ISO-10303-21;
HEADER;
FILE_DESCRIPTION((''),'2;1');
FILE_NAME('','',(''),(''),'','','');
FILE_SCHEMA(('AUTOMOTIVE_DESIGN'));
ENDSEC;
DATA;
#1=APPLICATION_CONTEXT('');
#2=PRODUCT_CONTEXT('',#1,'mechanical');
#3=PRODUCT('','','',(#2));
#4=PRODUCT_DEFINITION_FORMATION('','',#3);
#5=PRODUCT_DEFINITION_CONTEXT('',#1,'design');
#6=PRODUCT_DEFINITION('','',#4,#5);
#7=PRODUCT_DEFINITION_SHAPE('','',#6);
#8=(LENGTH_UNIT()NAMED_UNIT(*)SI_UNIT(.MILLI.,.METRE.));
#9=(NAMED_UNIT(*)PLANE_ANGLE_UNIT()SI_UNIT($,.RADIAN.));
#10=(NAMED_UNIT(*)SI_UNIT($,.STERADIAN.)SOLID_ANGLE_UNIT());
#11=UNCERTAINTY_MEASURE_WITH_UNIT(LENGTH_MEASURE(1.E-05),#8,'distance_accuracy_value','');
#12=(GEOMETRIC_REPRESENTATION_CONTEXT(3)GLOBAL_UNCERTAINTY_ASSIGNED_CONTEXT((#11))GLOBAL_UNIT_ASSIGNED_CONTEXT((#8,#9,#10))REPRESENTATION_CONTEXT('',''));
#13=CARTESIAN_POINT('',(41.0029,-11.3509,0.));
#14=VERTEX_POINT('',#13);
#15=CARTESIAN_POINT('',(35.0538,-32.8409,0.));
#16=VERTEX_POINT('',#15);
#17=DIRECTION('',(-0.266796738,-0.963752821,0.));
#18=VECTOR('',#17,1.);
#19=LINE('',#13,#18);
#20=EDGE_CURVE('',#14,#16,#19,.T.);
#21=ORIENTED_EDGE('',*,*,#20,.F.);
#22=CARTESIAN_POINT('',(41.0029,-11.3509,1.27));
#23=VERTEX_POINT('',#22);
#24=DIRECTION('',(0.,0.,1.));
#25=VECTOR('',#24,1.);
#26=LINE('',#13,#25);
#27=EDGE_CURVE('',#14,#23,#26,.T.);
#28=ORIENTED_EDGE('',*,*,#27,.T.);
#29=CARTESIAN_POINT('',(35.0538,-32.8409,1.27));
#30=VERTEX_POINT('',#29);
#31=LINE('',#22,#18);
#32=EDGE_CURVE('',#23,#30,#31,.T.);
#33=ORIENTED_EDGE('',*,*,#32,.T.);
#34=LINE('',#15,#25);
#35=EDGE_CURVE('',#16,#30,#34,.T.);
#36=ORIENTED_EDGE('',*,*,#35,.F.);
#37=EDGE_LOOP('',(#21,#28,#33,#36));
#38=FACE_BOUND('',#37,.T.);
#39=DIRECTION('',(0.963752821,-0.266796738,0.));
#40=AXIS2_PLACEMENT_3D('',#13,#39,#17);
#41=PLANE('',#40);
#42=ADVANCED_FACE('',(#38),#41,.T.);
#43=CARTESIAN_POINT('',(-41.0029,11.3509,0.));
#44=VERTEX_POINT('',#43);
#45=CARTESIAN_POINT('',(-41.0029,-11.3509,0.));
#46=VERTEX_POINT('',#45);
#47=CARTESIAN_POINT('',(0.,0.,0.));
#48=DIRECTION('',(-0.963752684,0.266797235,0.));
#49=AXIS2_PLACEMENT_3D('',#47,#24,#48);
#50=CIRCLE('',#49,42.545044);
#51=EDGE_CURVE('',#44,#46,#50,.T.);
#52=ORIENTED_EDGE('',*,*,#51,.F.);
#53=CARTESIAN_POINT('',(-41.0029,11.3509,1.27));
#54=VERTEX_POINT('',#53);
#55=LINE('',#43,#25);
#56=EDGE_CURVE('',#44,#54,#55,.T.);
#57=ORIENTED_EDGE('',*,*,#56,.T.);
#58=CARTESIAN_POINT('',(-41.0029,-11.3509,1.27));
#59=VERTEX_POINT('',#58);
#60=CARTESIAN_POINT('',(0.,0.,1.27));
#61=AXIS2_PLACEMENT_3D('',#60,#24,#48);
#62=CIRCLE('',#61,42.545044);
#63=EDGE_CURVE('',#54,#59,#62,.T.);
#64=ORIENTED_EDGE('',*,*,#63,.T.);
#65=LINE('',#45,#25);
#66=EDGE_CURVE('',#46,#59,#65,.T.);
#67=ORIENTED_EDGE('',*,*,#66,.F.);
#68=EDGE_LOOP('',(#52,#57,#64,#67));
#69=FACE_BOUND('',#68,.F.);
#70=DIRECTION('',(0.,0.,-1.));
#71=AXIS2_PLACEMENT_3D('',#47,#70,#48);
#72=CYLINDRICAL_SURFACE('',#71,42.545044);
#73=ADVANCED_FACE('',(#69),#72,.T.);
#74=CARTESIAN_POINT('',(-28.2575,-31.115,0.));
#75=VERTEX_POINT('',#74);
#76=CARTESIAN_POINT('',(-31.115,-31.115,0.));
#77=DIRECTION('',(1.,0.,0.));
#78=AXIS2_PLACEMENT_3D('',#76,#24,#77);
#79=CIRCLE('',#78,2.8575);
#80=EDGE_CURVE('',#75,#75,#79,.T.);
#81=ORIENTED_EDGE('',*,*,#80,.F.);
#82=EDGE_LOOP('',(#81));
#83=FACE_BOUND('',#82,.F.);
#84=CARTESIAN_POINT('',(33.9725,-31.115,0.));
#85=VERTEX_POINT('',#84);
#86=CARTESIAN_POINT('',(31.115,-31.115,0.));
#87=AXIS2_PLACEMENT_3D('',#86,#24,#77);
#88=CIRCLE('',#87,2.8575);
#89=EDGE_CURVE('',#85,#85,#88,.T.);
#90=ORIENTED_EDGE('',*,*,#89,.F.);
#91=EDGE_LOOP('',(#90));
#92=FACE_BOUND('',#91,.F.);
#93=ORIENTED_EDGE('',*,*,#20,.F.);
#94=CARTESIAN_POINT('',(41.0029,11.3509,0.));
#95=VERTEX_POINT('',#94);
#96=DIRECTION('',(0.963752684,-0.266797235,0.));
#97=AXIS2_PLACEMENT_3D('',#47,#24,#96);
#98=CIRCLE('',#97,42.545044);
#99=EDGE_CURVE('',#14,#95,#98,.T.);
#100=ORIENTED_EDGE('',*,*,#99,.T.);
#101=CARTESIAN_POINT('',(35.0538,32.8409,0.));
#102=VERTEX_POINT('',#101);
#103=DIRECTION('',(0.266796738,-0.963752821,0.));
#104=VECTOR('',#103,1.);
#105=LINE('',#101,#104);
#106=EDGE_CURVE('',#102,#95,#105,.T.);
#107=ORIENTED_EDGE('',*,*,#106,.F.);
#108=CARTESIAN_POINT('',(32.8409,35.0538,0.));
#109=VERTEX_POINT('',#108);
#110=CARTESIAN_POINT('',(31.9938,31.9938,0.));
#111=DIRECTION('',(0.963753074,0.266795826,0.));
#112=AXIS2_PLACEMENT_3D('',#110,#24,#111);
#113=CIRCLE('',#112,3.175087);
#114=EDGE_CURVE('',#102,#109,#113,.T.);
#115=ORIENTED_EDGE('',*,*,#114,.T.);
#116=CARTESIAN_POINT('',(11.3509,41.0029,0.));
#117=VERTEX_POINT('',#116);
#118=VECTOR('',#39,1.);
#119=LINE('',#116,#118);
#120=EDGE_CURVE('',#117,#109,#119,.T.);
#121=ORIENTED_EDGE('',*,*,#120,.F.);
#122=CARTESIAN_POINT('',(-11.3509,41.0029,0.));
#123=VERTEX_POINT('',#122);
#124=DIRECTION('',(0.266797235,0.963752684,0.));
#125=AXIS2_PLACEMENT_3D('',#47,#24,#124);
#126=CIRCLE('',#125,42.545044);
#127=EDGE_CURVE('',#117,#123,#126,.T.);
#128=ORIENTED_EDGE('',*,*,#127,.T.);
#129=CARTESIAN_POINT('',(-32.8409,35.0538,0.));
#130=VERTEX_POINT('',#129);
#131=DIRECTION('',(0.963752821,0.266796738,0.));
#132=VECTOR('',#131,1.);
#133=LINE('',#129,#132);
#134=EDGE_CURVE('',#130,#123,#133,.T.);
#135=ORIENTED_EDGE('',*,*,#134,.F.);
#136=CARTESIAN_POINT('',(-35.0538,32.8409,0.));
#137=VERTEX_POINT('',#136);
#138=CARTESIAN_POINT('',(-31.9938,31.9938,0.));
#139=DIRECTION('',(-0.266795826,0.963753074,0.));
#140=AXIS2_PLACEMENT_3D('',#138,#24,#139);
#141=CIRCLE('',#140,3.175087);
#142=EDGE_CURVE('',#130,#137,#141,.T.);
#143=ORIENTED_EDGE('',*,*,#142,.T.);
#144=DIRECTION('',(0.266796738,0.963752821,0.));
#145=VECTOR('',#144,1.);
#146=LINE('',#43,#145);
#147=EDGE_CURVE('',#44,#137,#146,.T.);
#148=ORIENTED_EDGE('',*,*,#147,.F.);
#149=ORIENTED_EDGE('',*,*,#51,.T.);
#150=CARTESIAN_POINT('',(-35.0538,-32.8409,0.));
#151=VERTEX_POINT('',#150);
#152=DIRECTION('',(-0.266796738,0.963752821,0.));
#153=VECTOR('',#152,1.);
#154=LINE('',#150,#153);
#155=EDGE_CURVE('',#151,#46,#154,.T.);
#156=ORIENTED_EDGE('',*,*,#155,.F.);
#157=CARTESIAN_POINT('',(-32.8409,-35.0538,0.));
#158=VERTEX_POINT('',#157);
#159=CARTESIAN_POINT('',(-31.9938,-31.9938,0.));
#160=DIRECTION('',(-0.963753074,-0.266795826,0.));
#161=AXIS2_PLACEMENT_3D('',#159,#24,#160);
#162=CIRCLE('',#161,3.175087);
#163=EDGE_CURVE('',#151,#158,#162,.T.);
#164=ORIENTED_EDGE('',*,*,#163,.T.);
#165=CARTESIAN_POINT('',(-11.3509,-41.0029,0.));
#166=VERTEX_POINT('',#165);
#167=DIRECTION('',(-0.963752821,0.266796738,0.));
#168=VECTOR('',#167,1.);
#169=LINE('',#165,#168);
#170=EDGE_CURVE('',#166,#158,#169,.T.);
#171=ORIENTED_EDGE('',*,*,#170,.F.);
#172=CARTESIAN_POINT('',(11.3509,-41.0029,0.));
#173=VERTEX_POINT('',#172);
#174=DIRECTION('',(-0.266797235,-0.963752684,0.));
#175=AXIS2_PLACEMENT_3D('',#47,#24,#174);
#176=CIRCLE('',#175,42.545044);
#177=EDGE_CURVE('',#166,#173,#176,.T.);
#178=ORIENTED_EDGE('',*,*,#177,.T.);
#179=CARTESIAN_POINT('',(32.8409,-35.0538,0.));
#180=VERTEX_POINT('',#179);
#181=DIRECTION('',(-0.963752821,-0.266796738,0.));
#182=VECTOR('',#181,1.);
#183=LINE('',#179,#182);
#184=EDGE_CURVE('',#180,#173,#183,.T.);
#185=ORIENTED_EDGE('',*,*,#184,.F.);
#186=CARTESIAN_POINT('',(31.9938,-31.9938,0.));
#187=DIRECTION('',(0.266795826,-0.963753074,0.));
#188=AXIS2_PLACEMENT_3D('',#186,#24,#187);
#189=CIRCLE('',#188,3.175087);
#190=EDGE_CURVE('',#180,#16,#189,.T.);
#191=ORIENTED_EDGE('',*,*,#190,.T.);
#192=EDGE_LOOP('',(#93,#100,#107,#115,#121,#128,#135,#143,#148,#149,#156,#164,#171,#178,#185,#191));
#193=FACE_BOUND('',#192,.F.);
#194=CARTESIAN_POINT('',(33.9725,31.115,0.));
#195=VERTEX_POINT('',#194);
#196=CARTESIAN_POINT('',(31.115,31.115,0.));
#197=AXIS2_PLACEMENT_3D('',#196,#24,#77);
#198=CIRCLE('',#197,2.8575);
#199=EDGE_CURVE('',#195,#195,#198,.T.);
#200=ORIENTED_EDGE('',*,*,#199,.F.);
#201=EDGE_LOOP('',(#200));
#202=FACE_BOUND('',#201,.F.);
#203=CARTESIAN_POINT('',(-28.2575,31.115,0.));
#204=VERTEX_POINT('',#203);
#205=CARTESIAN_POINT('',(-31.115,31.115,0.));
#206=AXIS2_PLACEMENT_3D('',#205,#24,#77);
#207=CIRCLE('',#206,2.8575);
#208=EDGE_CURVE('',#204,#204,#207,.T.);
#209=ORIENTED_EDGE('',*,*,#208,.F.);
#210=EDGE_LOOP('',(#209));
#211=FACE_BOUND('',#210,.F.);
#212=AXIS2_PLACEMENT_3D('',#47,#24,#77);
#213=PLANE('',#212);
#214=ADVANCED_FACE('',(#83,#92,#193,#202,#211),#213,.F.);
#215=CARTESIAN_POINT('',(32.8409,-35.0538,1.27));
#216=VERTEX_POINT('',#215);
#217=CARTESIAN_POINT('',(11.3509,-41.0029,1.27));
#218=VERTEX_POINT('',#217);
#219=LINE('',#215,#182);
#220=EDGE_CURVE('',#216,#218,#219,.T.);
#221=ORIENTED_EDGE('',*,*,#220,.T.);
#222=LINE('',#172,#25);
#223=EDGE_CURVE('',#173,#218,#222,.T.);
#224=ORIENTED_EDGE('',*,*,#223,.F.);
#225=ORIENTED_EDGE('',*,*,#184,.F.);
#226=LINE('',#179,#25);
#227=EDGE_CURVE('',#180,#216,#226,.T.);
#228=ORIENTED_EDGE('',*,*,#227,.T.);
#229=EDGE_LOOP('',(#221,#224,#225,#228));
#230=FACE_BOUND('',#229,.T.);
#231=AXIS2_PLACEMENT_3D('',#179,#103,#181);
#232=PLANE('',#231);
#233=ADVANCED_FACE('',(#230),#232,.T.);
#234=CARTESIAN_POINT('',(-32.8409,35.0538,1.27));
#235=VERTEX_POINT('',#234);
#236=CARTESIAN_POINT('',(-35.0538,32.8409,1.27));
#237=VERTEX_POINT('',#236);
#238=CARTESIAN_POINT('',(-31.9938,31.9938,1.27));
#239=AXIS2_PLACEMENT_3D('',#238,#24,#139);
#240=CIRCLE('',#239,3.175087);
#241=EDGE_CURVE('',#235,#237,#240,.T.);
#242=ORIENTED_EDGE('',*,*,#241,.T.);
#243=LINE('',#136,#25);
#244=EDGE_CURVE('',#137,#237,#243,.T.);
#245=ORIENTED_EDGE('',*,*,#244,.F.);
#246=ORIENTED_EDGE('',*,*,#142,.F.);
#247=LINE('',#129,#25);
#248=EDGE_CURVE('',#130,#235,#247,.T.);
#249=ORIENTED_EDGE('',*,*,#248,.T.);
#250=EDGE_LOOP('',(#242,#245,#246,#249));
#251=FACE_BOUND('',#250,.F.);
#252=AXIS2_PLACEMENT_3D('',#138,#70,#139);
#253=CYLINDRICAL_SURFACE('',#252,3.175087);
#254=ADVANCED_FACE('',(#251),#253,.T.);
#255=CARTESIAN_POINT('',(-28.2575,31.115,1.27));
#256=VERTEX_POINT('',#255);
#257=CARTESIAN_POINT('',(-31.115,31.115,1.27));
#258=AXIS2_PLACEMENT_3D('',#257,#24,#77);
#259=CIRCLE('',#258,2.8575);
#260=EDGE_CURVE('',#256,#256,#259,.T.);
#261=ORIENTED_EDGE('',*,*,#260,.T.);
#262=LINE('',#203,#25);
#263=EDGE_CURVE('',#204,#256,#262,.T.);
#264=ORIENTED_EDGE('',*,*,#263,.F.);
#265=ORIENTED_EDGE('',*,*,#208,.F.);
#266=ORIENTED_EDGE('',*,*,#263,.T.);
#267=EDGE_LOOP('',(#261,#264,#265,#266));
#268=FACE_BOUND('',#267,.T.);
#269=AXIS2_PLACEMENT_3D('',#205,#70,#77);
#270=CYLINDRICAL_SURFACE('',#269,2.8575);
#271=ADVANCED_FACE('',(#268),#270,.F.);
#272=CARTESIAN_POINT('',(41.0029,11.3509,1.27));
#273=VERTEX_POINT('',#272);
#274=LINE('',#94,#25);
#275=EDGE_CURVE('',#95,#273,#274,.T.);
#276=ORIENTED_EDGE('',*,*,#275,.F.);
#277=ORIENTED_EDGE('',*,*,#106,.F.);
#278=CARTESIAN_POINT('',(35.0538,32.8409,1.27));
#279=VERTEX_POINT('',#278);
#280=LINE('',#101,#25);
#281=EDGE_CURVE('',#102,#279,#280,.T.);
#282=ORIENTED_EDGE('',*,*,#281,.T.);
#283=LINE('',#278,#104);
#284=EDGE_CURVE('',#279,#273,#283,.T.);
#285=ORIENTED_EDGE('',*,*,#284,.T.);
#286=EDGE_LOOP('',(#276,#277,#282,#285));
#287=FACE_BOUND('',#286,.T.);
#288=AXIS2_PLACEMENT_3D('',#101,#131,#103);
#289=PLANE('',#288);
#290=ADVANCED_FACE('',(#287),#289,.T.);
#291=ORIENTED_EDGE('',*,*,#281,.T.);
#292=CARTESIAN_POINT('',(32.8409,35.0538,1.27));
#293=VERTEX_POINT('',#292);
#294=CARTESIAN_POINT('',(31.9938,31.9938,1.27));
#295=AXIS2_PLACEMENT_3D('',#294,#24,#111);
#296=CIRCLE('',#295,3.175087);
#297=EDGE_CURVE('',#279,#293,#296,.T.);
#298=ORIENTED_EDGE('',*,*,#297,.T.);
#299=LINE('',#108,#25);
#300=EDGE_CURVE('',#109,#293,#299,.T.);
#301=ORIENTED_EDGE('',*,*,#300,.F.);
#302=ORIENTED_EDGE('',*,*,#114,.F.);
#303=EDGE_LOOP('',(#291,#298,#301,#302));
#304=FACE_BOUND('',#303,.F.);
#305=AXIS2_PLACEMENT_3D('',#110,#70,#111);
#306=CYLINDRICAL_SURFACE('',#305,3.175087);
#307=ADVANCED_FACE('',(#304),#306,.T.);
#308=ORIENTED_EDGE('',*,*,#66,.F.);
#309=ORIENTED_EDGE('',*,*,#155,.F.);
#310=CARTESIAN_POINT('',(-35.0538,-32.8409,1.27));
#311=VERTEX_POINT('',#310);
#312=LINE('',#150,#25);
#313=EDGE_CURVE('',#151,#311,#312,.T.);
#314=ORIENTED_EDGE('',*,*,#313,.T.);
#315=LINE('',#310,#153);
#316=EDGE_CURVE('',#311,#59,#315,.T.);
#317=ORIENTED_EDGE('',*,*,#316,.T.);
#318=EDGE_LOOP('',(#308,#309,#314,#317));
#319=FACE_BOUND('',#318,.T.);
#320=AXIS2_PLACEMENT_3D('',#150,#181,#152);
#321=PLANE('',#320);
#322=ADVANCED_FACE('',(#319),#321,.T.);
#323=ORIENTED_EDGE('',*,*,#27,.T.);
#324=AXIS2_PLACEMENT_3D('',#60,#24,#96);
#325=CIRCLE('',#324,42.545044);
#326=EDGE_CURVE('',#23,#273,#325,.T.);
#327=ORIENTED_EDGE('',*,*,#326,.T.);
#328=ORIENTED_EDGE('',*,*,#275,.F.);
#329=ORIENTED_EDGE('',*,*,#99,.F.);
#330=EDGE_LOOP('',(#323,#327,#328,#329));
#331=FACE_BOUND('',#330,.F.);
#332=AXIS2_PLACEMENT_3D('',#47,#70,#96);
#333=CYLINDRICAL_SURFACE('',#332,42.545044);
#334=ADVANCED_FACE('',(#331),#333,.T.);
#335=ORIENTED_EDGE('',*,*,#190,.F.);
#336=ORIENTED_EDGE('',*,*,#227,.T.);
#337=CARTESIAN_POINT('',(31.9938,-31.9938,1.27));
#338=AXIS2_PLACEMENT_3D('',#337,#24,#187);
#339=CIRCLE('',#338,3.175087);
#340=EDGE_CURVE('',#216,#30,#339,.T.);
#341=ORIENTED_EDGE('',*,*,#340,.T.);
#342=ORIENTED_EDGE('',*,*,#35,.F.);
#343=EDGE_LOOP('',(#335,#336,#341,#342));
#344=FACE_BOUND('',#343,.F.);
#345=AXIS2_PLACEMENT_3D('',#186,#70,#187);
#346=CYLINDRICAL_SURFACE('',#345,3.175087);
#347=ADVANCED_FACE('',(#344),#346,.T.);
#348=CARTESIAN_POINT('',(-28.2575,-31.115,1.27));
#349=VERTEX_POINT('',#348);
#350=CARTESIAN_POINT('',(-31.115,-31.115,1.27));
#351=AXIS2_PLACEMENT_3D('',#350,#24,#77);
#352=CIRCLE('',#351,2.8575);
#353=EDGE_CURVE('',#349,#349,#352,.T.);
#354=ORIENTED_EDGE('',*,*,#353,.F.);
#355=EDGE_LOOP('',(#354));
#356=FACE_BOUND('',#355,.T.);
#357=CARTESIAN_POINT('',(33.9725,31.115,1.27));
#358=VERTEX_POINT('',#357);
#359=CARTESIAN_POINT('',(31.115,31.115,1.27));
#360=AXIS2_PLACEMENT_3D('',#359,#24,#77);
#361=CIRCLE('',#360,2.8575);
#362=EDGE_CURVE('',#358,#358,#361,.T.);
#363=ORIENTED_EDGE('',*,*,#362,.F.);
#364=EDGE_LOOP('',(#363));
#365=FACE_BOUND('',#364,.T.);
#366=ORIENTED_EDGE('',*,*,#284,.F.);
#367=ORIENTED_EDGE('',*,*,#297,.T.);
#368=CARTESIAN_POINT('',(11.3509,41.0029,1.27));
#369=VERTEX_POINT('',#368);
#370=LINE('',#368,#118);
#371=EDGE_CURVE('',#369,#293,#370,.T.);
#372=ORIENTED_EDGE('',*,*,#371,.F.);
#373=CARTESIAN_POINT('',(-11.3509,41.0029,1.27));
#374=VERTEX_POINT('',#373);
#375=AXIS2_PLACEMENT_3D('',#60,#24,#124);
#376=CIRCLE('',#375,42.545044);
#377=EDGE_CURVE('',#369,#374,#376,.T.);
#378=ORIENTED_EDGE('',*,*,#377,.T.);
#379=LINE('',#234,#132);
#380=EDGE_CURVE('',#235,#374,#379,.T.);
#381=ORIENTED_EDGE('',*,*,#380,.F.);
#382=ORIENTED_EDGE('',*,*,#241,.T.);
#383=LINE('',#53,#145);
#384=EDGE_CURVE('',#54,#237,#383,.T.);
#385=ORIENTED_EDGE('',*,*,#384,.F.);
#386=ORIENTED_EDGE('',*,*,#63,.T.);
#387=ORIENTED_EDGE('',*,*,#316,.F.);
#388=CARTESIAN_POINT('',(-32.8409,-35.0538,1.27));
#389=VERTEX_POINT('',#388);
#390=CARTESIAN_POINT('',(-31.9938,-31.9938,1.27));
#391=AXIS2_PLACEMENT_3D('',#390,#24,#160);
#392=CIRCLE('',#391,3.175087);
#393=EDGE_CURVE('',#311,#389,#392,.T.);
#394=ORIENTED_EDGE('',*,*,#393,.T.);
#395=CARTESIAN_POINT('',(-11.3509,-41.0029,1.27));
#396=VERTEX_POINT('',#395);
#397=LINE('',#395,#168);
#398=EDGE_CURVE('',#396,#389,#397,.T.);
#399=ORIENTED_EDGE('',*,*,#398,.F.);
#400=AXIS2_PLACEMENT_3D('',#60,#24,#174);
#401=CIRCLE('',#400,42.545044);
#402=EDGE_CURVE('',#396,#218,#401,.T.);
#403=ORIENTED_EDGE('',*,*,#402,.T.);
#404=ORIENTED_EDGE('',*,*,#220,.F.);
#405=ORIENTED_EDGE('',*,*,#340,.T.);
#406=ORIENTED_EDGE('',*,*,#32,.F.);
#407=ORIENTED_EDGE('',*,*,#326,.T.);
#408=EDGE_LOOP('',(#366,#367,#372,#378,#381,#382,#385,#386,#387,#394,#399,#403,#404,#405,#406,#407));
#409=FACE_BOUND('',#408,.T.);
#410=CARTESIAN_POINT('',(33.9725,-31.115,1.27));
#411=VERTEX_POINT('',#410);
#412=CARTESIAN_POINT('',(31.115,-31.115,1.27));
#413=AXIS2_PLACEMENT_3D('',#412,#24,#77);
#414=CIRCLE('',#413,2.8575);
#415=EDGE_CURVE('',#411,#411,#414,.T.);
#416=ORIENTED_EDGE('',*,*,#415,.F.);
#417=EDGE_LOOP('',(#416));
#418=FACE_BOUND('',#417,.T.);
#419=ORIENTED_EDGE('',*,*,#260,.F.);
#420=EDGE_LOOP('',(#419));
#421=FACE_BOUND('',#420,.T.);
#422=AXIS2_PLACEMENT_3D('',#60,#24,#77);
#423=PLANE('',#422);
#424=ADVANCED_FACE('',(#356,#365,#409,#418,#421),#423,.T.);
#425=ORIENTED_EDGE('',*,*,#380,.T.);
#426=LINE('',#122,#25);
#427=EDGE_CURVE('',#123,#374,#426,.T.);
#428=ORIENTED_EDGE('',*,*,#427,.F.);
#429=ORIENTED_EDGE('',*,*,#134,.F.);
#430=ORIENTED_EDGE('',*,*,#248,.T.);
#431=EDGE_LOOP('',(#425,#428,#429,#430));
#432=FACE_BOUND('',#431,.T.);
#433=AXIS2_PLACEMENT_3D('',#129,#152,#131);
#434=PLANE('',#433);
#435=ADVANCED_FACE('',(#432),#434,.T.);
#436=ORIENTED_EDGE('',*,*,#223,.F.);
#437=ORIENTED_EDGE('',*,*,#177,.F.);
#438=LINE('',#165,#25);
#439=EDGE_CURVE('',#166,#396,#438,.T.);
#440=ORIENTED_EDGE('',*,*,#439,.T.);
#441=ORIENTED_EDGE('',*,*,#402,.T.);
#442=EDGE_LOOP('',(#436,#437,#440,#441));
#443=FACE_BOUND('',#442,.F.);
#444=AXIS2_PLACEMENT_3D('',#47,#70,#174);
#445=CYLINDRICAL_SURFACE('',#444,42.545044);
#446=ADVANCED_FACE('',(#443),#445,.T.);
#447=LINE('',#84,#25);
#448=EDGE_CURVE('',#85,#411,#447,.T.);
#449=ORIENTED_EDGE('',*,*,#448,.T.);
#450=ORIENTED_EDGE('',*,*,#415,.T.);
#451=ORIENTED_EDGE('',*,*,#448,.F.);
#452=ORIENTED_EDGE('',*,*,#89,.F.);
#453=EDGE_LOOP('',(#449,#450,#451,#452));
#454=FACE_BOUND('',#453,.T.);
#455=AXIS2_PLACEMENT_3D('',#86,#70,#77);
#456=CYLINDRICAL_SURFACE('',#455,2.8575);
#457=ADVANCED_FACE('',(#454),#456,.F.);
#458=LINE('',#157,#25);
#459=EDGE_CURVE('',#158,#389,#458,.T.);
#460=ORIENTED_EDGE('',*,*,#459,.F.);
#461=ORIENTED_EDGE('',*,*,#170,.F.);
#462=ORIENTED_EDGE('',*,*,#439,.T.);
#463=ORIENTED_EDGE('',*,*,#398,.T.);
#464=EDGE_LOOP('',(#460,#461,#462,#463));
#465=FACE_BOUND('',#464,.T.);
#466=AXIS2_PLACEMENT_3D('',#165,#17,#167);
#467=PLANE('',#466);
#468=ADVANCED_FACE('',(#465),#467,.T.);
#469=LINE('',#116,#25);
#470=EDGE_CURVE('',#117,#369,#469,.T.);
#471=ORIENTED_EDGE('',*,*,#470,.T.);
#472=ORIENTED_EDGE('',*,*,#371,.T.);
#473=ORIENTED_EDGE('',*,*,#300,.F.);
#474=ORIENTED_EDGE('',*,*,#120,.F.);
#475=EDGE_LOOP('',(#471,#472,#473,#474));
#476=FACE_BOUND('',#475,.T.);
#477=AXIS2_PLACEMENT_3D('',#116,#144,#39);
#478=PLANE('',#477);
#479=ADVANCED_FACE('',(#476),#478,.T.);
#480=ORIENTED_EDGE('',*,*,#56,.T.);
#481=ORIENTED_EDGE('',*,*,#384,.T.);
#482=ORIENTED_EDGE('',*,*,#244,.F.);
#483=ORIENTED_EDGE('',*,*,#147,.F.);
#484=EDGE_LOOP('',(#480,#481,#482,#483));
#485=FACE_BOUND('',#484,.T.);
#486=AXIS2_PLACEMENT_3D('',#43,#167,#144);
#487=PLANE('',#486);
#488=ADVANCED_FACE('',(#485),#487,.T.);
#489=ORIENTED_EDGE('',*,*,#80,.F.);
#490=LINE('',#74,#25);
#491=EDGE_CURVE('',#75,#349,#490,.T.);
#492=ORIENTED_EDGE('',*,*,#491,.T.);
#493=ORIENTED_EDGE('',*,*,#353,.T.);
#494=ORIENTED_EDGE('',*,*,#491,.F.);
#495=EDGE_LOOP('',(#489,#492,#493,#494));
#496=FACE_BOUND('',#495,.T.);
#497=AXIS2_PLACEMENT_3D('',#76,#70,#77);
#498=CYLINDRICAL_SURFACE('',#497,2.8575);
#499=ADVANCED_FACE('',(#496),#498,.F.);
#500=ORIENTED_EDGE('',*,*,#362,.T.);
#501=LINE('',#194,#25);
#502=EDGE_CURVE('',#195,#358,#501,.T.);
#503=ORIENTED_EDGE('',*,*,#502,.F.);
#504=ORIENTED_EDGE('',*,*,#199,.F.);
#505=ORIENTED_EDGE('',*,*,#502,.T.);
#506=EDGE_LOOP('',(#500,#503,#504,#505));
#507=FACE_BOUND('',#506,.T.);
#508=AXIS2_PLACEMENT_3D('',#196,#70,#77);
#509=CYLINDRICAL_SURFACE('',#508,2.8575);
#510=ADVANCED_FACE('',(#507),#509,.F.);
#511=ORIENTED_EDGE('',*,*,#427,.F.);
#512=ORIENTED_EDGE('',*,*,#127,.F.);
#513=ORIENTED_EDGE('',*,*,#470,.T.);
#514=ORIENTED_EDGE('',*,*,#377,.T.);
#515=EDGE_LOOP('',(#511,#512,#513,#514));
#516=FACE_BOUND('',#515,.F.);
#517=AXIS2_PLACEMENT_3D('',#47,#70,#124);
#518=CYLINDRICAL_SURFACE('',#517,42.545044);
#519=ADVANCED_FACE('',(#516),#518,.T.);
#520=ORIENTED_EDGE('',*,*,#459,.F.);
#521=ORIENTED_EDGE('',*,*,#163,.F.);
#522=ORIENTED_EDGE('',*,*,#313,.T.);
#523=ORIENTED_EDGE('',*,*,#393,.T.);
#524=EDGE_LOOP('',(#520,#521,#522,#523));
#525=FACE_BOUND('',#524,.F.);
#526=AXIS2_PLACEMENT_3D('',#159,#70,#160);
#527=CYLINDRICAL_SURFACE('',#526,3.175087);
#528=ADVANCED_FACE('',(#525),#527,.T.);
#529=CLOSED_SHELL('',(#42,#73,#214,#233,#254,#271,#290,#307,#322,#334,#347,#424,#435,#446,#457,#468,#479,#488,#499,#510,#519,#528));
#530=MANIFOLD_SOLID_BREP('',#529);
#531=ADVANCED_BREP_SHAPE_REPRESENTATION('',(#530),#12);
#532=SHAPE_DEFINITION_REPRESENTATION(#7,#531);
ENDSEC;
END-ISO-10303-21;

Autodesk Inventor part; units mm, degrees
ref_plane "YZ Plane" through (0, 0, 0) normal (1, 0, 0) x (0, 1, 0)
ref_plane "XZ Plane" through (0, 0, 0) normal (0, 1, 0) x (-1, 0, 0)
ref_plane "XY Plane" through (0, 0, 0) normal (0, 0, 1) x (1, 0, 0)
sketch "Sketch1" plane through (0, 0, 0) normal (0, 0, 1) x (1, 0, 0)
  circle A0 centre (31.115, 31.115) radius 2.8575
  line L0 (35.0538, 32.8409) -> (41.0029, 11.3509)
  arc A1 (35.0538, 32.8409) -> (32.8409, 35.0538) centre (31.9938, 31.9938) ccw
  line L1 (11.3509, 41.0029) -> (32.8409, 35.0538)
  arc A2 (41.0029, -11.3509) -> (41.0029, 11.3509) centre (0, 0) ccw
  line L2 (41.0029, -11.3509) -> (35.0538, -32.8409)
  line L3 (32.8409, -35.0538) -> (11.3509, -41.0029)
  arc A3 (32.8409, -35.0538) -> (35.0538, -32.8409) centre (31.9938, -31.9938) ccw
  arc A4 (-11.3509, -41.0029) -> (11.3509, -41.0029) centre (0, 0) ccw
  line L4 (-11.3509, -41.0029) -> (-32.8409, -35.0538)
  arc A5 (-35.0538, -32.8409) -> (-32.8409, -35.0538) centre (-31.9938, -31.9938) ccw
  line L5 (-35.0538, -32.8409) -> (-41.0029, -11.3509)
  arc A6 (-41.0029, 11.3509) -> (-41.0029, -11.3509) centre (0, 0) ccw
  line L6 (-41.0029, 11.3509) -> (-35.0538, 32.8409)
  arc A7 (-32.8409, 35.0538) -> (-35.0538, 32.8409) centre (-31.9938, 31.9938) ccw
  line L7 (-32.8409, 35.0538) -> (-11.3509, 41.0029)
  circle A8 centre (-31.115, 31.115) radius 2.8575
  circle A9 centre (-31.115, 31.115) radius 1.5875
  circle A10 centre (31.115, 31.115) radius 1.5875
  circle A11 centre (31.115, -31.115) radius 2.8575
  circle A12 centre (31.115, -31.115) radius 1.5875
  circle A13 centre (-31.115, -31.115) radius 2.8575
  circle A14 centre (-31.115, -31.115) radius 1.5875
  arc A15 (11.3509, 41.0029) -> (-11.3509, 41.0029) centre (0, 0) ccw
  point P0 (0, 0)
extrude "Extrusion1" add sketch "Sketch1" along normal blind 1.27 contours L0 A2 L2 A3 L3 A4 L4 A5 L5 A6 L6 A7 L7 A15 L1 A1
properties part number "Back Plate 1764"
